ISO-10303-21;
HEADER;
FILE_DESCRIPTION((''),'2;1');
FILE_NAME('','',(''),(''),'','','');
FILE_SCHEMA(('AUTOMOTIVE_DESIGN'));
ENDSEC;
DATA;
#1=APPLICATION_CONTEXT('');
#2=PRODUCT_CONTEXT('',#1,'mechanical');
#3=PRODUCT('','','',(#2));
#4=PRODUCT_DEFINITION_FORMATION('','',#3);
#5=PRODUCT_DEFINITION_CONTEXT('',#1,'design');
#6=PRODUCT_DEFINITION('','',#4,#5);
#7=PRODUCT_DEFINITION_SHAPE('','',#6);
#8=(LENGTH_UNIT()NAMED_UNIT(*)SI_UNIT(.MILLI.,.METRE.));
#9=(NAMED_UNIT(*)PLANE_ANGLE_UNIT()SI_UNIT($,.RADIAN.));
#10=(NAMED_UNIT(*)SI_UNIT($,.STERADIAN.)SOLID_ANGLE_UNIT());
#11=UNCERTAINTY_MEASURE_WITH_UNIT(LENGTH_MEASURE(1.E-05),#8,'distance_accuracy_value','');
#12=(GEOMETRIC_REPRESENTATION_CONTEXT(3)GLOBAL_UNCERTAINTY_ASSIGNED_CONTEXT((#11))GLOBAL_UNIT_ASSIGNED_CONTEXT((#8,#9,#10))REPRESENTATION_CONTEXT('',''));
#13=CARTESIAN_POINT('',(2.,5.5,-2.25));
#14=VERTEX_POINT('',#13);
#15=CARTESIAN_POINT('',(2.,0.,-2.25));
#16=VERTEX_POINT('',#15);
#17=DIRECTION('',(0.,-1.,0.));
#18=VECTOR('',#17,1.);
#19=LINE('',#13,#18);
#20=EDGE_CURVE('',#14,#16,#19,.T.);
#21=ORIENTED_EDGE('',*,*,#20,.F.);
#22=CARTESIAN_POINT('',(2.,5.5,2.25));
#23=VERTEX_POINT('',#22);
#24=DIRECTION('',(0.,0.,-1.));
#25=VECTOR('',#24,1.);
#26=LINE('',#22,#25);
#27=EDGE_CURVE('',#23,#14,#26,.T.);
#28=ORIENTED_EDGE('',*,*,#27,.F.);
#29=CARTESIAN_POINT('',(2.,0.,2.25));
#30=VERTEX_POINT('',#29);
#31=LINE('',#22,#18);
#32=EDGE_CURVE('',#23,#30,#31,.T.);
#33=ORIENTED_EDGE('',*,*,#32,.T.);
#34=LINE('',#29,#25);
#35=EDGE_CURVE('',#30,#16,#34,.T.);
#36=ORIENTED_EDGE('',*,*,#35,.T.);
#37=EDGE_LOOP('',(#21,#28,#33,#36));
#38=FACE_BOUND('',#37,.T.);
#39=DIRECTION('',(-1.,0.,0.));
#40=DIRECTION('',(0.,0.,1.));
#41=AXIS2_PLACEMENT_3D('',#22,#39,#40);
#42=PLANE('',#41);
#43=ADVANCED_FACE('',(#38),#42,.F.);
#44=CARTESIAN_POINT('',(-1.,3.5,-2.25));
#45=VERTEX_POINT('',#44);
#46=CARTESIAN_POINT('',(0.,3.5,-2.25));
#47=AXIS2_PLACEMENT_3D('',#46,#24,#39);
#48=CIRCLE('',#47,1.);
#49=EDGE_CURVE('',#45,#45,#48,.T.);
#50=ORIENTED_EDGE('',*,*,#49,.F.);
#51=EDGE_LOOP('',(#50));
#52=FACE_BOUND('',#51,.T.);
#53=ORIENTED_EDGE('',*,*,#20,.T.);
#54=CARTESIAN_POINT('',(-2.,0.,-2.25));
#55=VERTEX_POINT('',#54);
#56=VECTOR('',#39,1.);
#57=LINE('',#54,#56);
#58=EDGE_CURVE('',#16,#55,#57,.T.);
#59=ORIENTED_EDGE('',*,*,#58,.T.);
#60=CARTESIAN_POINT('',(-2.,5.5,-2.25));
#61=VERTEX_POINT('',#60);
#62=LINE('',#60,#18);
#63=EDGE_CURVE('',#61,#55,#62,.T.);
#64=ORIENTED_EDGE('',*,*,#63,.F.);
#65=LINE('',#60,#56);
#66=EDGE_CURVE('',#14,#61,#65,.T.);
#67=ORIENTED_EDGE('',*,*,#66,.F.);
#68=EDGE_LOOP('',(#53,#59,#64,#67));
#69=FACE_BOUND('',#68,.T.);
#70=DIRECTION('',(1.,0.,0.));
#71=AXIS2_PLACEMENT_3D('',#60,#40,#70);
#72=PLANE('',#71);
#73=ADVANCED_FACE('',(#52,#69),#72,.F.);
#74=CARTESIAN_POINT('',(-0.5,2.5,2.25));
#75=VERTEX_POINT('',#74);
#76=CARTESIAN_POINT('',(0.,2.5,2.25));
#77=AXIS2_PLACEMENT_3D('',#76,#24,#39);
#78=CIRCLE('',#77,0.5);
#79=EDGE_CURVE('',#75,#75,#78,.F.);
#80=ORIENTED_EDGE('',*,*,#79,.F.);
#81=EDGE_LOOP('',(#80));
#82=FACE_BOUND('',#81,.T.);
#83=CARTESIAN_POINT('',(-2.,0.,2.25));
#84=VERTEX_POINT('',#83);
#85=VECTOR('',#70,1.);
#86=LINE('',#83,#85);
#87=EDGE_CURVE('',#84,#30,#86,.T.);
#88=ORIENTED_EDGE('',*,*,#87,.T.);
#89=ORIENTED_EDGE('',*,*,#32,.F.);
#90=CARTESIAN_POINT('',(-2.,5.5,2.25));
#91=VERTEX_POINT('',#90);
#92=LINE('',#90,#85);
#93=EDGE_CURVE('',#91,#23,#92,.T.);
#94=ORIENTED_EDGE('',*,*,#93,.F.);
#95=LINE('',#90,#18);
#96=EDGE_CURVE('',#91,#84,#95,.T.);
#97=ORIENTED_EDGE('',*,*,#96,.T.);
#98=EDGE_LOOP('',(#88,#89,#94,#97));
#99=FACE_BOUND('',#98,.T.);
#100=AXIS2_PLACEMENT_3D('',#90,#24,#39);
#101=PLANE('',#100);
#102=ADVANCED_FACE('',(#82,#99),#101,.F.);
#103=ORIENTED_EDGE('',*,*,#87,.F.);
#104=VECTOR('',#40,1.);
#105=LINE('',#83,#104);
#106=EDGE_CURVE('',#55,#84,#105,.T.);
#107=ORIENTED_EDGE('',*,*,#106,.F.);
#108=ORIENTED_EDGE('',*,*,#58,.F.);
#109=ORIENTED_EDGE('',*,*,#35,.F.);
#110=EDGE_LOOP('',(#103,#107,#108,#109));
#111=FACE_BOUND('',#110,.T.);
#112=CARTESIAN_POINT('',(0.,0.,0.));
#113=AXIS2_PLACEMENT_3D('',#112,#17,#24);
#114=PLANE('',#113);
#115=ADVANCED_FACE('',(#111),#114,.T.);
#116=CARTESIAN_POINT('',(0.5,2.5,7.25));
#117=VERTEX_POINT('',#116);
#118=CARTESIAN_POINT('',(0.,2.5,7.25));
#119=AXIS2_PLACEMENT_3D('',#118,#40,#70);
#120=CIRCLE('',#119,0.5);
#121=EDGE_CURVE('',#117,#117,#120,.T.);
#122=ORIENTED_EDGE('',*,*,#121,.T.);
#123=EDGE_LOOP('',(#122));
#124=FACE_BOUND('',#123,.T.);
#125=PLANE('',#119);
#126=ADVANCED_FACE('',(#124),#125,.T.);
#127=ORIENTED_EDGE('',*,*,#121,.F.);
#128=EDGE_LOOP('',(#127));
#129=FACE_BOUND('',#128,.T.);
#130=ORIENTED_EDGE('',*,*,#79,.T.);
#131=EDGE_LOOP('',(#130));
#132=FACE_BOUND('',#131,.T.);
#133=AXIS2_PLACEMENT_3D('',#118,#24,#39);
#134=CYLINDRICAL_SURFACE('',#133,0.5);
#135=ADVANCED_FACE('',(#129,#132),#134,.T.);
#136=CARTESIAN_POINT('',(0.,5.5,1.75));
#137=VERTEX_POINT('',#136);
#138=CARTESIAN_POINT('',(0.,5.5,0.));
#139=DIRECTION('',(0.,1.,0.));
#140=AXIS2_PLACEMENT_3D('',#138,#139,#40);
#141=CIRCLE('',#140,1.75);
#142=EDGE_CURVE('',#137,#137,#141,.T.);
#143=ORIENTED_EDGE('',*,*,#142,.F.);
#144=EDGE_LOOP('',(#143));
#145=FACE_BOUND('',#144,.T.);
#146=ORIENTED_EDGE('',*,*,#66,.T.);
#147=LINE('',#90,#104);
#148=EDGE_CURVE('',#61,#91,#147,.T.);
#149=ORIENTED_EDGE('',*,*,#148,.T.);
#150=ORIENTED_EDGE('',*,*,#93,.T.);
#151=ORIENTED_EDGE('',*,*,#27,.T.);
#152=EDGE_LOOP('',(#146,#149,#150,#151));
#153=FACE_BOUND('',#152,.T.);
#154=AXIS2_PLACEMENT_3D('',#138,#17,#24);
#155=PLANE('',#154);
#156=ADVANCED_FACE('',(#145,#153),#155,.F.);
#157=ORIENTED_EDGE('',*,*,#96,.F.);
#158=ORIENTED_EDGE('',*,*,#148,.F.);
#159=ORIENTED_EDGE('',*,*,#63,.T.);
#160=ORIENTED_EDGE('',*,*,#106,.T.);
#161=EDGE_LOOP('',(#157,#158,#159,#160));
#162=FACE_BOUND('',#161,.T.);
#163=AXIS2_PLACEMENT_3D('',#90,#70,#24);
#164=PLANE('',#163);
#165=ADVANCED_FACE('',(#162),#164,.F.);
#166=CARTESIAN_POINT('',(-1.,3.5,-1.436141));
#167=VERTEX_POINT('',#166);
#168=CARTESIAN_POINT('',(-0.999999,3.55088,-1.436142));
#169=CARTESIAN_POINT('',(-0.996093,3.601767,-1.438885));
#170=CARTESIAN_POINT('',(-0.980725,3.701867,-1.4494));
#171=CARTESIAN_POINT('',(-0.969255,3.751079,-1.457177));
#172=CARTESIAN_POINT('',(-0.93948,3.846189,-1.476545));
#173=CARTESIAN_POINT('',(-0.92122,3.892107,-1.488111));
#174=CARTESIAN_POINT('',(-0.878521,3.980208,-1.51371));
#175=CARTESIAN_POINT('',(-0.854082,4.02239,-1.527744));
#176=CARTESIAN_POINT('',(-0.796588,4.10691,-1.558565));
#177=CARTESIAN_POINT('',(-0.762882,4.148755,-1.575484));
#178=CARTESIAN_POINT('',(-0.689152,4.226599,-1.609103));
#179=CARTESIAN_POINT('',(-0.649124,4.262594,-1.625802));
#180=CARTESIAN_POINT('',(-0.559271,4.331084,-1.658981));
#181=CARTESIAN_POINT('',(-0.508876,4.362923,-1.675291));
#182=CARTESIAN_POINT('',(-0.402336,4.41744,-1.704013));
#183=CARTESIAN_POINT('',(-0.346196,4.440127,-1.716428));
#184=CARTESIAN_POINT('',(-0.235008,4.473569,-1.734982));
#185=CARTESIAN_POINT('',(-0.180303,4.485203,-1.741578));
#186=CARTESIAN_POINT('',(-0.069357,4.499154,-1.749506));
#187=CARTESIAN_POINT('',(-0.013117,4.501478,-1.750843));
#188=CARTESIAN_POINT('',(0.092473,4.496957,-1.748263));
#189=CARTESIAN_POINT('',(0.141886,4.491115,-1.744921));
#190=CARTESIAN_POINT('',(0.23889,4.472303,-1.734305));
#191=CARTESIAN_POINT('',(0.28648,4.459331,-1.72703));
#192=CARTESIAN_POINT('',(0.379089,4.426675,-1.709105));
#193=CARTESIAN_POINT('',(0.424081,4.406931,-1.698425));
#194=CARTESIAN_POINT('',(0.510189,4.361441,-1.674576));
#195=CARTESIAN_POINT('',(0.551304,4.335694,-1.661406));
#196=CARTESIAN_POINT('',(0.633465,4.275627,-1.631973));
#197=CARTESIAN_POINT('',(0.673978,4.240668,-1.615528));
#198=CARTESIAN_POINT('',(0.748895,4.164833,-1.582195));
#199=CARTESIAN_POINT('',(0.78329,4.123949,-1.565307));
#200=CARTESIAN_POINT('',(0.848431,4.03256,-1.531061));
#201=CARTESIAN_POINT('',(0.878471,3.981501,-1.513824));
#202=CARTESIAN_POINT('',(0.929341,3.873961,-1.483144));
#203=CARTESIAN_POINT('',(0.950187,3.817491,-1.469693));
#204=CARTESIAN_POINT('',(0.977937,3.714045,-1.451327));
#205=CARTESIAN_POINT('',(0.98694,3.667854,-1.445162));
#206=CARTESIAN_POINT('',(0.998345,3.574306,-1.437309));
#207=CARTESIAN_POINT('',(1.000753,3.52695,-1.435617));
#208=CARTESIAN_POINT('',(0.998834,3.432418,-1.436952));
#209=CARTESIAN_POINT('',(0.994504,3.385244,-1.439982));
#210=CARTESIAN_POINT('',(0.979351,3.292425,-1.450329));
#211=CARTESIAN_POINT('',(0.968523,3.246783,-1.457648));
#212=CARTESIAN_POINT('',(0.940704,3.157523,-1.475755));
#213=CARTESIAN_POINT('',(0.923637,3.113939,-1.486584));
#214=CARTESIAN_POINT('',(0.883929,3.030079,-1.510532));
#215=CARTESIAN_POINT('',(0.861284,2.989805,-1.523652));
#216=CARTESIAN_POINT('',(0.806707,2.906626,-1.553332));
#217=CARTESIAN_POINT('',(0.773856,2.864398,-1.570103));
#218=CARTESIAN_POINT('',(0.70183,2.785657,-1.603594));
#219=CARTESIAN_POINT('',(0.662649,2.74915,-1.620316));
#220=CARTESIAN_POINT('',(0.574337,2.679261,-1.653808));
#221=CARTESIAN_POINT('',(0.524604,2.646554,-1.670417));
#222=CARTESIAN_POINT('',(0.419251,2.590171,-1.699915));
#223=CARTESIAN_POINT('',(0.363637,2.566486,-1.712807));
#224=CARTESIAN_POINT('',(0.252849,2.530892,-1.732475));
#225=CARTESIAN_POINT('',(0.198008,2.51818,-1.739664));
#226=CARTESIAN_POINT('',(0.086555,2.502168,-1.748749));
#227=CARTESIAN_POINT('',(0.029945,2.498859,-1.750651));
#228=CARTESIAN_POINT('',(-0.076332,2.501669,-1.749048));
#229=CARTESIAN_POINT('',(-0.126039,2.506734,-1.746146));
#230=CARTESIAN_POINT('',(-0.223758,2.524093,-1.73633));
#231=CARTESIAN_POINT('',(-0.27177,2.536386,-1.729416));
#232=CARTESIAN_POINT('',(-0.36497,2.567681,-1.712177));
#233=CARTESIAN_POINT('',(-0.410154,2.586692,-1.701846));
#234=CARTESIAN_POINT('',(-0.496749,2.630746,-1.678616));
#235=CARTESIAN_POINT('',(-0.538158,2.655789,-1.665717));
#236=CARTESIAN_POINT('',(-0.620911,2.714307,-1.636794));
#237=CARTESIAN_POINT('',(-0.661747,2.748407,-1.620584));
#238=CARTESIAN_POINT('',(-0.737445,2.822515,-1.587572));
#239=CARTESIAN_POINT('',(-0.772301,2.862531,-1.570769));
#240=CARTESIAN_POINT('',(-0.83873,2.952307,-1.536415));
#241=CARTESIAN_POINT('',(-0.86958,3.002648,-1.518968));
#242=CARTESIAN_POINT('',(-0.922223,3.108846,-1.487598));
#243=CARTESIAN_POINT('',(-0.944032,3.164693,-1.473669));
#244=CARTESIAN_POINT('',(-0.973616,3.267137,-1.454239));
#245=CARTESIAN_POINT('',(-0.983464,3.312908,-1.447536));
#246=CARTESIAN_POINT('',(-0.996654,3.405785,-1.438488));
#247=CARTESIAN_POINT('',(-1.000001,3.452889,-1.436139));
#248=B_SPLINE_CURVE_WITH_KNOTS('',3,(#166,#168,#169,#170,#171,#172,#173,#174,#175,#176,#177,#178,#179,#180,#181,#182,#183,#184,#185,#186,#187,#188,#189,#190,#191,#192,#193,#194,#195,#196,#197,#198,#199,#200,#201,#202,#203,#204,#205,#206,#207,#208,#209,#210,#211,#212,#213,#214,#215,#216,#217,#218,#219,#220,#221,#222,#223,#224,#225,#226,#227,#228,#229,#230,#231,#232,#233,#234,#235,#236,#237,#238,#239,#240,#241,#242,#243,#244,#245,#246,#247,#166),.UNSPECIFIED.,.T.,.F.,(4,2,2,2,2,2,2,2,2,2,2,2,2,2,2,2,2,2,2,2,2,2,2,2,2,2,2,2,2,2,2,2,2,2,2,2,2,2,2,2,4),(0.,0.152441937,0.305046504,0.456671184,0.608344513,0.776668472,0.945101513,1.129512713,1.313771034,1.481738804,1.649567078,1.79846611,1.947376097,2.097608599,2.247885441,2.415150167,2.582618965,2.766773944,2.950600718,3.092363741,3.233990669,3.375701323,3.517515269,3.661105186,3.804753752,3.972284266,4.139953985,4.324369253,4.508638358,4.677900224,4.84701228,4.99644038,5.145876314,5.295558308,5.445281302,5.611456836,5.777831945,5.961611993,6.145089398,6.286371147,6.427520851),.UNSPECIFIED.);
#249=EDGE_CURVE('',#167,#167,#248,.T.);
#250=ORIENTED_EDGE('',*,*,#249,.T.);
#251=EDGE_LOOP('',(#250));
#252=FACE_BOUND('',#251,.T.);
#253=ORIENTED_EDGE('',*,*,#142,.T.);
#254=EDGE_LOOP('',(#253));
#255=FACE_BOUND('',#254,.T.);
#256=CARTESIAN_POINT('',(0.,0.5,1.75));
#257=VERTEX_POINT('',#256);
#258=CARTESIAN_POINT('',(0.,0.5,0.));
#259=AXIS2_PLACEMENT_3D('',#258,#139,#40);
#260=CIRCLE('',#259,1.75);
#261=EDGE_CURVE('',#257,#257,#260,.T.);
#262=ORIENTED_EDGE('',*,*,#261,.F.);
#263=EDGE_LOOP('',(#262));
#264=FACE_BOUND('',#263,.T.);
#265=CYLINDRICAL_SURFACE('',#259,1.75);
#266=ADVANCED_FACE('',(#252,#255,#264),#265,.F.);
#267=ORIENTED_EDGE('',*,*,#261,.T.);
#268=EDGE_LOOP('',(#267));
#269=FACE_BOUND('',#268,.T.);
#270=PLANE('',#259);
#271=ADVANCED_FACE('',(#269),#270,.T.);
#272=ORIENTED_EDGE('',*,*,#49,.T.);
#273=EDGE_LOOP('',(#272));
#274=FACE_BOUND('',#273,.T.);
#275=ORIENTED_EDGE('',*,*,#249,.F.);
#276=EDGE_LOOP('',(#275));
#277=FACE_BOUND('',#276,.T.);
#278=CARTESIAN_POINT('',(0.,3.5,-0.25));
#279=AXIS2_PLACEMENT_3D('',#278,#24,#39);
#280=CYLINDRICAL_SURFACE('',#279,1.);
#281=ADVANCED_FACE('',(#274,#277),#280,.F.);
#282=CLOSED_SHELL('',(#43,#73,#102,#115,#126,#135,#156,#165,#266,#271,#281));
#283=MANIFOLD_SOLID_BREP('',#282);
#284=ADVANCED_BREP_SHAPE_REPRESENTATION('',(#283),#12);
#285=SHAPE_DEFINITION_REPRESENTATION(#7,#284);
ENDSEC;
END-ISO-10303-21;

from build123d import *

# Parameters (mm, degrees)
SKETCH4_W           = 4
SKETCH4_H           = 4.5
BOSS_EXTRUDE1_DEPTH = 5.5
SKETCH5_R           = 0.5
BOSS_EXTRUDE2_DEPTH = 5
SKETCH6_R           = 1.75
CUT_EXTRUDE1_DEPTH  = 5
SKETCH7_R           = 1
CUT_EXTRUDE2_DEPTH  = 2


with BuildPart() as part:
    # Sketch4 → Boss-Extrude1 (new body)
    with BuildSketch(Plane(origin=(0, 0, 0), x_dir=(1, 0, 0), z_dir=(0, 1, 0))):
        Rectangle(SKETCH4_W, SKETCH4_H)
    extrude(amount=BOSS_EXTRUDE1_DEPTH)

    # Sketch5 → Boss-Extrude2 (add)
    with BuildSketch(Plane.XY.offset(2.25)):
        with Locations(Location((0, 2.5, 0), (0, 0, 180))):
            Circle(SKETCH5_R)
    extrude(amount=BOSS_EXTRUDE2_DEPTH)

    # Sketch6 → Cut-Extrude1 (cut)
    with BuildSketch(Plane(origin=(0, 5.5, 0), x_dir=(1, 0, 0), z_dir=(0, 1, 0))):
        with Locations(Location((0, 0, 0), (0, 0, 270))):
            Circle(SKETCH6_R)
    extrude(amount=-CUT_EXTRUDE1_DEPTH, mode=Mode.SUBTRACT)

    # Sketch7 → Cut-Extrude2 (cut)
    with BuildSketch(Plane(origin=(0, 0, -2.25), x_dir=(-1, 0, 0), z_dir=(0, 0, -1))):
        with Locations((0, 3.5)):
            Circle(SKETCH7_R)
    extrude(amount=-CUT_EXTRUDE2_DEPTH, mode=Mode.SUBTRACT)


solid = part.part
